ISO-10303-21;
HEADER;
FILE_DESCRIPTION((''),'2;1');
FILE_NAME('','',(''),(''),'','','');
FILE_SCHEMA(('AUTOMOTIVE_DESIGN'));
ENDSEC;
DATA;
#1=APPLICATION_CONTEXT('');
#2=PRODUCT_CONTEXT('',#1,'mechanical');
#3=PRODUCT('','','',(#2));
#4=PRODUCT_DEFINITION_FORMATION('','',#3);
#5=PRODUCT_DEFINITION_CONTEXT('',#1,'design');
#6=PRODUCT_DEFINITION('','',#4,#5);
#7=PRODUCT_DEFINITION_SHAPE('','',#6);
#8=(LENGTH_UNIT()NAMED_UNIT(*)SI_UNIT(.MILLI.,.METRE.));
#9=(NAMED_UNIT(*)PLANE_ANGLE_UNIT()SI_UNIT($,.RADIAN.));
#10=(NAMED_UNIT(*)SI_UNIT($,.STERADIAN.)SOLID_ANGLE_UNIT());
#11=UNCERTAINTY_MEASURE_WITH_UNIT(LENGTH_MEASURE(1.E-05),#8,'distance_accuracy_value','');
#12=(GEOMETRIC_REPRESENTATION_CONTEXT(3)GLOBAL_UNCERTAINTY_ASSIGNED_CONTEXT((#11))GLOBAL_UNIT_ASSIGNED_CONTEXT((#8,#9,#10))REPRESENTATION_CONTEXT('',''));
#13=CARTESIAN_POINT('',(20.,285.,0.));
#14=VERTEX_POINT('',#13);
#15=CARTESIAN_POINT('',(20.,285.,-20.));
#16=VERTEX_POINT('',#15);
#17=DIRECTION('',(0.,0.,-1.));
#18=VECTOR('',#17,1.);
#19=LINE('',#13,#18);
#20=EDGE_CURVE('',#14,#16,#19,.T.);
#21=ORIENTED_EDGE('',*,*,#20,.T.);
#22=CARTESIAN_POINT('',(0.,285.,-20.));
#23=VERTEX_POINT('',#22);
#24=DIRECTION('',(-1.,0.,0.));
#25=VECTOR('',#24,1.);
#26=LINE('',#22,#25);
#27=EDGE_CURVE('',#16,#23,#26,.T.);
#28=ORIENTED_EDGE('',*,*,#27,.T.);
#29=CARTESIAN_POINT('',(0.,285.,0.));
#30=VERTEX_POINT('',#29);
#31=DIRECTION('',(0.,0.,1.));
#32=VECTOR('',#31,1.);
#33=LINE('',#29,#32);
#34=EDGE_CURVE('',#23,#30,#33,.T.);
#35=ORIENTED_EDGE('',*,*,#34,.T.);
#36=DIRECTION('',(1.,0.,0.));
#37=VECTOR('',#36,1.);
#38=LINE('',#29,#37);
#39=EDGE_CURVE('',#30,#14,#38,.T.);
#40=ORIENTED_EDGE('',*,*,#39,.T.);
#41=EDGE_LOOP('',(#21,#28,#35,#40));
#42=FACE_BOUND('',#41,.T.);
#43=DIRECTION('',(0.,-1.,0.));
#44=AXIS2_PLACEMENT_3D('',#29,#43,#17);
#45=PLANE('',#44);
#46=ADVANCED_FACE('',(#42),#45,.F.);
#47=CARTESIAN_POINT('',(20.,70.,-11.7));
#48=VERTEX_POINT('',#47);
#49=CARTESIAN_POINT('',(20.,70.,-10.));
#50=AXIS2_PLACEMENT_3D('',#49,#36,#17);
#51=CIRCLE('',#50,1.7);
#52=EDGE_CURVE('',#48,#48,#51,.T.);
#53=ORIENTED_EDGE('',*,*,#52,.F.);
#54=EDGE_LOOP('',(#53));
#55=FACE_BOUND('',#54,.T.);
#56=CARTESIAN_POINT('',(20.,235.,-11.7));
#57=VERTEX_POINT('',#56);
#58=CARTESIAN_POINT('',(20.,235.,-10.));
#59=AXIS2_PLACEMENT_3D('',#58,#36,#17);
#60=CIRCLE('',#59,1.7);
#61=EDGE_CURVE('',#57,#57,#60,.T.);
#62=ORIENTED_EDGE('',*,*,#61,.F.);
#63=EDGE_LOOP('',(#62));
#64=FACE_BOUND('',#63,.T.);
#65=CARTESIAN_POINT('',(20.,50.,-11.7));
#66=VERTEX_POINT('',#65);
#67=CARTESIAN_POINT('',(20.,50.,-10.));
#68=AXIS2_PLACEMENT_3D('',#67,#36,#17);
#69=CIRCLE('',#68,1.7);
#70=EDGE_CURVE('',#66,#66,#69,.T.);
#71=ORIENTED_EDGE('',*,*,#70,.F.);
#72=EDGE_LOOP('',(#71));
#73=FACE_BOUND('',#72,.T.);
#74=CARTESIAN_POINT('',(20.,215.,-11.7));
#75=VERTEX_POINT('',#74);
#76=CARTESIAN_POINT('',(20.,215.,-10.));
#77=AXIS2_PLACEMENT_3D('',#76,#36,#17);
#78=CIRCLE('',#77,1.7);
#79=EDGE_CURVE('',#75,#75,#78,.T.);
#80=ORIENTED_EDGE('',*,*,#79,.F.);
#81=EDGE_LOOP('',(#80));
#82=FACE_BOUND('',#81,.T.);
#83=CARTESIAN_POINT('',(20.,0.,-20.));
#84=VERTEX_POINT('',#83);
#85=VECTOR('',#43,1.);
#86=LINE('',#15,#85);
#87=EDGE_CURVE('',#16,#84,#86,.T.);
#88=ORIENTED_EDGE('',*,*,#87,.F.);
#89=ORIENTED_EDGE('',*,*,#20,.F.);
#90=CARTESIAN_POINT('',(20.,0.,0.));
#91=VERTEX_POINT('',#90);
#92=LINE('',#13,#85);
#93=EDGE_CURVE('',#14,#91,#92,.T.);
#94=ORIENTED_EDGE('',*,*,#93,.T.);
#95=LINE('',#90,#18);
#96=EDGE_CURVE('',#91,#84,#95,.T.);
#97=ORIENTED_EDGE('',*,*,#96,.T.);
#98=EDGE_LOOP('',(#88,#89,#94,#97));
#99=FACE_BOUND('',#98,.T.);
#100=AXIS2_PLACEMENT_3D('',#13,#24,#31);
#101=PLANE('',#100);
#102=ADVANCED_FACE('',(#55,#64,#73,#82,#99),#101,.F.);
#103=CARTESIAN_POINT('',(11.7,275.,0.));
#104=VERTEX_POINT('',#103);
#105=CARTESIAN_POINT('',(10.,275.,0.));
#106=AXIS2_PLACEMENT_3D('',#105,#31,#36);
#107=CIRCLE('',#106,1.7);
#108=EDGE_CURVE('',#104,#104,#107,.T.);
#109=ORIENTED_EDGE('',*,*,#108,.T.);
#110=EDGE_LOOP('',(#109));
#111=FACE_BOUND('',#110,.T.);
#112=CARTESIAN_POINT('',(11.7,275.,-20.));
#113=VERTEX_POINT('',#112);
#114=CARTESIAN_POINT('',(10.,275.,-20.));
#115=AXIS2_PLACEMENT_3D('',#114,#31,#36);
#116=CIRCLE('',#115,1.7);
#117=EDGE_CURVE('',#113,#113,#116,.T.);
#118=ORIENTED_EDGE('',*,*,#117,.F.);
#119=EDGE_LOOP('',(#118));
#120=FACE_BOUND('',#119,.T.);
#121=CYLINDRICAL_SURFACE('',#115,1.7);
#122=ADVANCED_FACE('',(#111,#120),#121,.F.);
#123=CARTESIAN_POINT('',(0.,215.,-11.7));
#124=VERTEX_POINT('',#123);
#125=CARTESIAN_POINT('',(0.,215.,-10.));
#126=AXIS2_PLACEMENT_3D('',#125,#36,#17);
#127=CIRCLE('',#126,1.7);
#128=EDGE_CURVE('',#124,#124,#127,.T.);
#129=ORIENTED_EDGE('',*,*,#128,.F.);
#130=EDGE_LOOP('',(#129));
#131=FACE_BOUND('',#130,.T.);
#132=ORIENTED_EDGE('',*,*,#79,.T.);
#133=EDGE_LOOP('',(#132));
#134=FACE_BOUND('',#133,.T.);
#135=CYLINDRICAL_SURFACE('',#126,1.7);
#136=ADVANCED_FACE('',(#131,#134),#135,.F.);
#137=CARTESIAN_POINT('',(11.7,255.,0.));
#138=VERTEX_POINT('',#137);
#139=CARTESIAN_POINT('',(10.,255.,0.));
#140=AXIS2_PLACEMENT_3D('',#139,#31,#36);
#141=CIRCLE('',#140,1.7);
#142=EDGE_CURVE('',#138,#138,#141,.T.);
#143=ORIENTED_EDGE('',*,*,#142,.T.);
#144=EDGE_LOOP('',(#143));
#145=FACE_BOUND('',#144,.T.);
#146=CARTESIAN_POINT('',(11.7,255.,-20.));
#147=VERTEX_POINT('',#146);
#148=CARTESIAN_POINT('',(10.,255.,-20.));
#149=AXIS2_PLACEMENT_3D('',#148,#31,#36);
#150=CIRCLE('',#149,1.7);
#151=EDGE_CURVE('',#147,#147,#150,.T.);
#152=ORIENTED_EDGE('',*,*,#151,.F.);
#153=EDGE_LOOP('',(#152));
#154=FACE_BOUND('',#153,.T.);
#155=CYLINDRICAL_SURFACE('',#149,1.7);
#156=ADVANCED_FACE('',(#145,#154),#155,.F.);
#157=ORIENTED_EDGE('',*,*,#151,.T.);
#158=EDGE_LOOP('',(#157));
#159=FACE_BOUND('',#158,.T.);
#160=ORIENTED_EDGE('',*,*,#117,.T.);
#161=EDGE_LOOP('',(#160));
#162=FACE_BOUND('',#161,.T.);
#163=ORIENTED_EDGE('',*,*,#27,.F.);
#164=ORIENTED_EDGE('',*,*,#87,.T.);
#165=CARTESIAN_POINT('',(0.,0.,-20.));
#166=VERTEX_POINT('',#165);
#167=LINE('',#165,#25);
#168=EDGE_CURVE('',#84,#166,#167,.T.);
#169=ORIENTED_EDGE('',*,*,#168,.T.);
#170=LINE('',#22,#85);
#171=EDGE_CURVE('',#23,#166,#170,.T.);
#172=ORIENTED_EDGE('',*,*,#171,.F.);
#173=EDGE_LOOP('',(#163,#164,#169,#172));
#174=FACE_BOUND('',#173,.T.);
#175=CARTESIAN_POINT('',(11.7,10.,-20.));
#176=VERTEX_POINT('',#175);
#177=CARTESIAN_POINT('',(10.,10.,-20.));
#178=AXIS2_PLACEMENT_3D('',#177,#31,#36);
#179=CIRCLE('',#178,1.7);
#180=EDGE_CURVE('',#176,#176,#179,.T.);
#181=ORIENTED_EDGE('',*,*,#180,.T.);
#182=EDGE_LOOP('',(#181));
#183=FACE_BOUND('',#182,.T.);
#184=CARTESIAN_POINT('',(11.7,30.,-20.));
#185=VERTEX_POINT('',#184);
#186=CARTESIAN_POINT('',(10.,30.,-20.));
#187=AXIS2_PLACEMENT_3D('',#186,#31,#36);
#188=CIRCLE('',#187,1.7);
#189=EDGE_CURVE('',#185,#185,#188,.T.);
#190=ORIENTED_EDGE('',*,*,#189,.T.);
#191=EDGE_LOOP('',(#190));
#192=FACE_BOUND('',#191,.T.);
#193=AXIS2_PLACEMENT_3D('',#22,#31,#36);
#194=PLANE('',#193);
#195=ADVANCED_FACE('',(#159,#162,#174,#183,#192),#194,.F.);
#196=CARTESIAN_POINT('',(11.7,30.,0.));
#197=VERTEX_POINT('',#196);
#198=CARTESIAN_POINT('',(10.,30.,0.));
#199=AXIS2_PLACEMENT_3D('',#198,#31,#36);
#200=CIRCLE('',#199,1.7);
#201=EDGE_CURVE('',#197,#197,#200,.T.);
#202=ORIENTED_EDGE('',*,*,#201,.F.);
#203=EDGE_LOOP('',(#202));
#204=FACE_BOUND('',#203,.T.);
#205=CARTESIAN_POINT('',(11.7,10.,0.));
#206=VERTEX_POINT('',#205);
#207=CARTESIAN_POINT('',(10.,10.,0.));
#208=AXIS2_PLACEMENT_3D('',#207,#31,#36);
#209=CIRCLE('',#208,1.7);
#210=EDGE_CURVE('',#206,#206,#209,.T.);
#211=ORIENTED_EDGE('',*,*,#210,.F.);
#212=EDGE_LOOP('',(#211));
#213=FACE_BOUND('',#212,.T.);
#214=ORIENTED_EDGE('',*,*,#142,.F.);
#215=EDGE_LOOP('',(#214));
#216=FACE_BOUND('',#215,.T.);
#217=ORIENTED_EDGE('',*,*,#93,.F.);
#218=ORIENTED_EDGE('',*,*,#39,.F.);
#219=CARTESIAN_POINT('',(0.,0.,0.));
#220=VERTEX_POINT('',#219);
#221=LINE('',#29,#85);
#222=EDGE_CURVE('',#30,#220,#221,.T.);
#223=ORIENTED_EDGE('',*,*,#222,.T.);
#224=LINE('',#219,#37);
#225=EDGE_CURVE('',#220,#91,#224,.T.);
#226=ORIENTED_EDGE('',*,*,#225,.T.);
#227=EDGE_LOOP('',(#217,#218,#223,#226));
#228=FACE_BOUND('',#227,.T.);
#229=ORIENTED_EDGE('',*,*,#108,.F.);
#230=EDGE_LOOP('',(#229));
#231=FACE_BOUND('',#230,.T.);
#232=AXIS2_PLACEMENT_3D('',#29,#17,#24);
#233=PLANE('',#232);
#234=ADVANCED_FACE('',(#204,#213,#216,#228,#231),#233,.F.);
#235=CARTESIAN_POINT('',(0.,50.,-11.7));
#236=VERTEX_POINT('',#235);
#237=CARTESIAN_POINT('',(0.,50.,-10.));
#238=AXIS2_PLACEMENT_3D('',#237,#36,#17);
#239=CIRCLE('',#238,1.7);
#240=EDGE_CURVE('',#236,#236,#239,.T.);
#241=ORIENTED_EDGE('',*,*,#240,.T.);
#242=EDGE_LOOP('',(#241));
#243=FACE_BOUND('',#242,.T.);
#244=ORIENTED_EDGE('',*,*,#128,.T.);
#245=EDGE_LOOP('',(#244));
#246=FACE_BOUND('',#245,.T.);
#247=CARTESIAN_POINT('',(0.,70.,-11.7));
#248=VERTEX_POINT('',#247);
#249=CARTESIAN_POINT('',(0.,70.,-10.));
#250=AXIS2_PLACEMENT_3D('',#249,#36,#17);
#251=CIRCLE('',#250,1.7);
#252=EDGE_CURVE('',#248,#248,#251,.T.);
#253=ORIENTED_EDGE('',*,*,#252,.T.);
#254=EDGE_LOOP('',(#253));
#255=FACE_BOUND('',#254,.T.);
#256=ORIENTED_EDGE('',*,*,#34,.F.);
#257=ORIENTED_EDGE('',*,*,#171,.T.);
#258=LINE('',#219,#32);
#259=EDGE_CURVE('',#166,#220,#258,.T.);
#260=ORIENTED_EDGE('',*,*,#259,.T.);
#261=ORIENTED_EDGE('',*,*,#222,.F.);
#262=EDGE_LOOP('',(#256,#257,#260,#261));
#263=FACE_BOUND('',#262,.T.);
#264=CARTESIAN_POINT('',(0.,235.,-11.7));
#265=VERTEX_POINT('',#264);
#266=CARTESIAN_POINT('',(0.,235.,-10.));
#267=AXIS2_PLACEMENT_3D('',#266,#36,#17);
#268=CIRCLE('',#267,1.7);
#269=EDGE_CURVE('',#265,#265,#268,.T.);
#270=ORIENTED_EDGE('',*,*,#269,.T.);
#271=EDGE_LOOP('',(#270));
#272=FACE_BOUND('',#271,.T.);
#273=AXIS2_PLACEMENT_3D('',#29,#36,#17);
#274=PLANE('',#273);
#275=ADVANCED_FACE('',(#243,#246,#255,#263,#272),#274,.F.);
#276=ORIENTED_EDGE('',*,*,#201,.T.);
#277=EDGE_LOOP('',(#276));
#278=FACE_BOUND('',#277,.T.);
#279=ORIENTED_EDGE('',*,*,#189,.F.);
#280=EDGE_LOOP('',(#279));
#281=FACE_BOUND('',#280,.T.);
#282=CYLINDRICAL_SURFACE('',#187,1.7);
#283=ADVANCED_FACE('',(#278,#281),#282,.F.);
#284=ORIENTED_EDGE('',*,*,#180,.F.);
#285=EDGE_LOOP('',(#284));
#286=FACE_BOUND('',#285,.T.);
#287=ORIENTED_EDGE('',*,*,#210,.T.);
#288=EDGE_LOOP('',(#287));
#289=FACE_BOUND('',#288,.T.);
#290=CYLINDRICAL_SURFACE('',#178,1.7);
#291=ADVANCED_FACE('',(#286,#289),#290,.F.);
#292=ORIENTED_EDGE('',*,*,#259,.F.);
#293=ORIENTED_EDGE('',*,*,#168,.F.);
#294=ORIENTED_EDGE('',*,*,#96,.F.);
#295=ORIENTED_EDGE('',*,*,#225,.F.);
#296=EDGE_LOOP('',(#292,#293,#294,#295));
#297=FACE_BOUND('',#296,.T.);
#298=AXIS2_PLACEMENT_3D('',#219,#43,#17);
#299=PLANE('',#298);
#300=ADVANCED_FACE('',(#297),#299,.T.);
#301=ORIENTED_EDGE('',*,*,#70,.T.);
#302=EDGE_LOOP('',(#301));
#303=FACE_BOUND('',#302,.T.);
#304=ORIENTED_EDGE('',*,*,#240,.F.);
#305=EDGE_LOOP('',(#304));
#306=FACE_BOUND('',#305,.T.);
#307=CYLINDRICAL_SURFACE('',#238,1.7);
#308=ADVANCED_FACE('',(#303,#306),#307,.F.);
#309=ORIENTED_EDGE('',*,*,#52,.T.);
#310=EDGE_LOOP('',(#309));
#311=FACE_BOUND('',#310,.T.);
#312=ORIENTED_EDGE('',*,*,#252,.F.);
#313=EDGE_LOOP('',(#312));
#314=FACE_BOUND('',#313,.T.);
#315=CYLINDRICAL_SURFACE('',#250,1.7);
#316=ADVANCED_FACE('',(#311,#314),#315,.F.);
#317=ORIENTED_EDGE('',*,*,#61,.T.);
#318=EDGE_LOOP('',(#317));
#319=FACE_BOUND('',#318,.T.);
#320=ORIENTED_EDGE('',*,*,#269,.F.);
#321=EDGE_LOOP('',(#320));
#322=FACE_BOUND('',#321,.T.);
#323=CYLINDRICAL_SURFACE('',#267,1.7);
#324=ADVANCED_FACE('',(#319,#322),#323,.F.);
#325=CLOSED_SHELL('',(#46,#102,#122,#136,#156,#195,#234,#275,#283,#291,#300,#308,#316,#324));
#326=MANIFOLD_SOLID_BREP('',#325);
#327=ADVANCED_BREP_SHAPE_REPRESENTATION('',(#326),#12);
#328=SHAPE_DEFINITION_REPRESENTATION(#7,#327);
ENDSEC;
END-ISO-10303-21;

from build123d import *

# Parameters (mm, degrees)
SKETCH_1_W          = 20
SKETCH_1_H          = 20
EXTRUDE_1_DEPTH     = 285
SKETCH_2_R          = 1.7
CUT_EXTRUDE_1_DEPTH = 287.400069832
SKETCH_3_R          = 1.7
CUT_EXTRUDE_2_DEPTH = 287.400069832


with BuildPart() as part:
    # 草图1 → 凸台-拉伸1 (new body)
    with BuildSketch(Plane(origin=(0, 0, 0), x_dir=(1, 0, 0), z_dir=(0, 1, 0))):
        with Locations((10, 10)):
            Rectangle(SKETCH_1_W, SKETCH_1_H)
    extrude(amount=EXTRUDE_1_DEPTH)

    # 草图2 → 切除-拉伸1 (cut, through all)
    with BuildSketch(Plane.XY):
        with Locations((10, 275)):
            Circle(SKETCH_2_R)
        with Locations((10, 255)):
            Circle(SKETCH_2_R)
        with Locations((10, 30)):
            Circle(SKETCH_2_R)
        with Locations((10, 10)):
            Circle(SKETCH_2_R)
    extrude(amount=-CUT_EXTRUDE_1_DEPTH, mode=Mode.SUBTRACT)

    # 草图3 → 切除-拉伸2 (cut, through all)
    with BuildSketch(Plane(origin=(20, 0, 0), x_dir=(0, 0, -1), z_dir=(1, 0, 0))):
        with Locations((10, 235)):
            Circle(SKETCH_3_R)
        with Locations((10, 215)):
            Circle(SKETCH_3_R)
        with Locations((10, 50)):
            Circle(SKETCH_3_R)
        with Locations((10, 70)):
            Circle(SKETCH_3_R)
    extrude(amount=-CUT_EXTRUDE_2_DEPTH, mode=Mode.SUBTRACT)


solid = part.part
